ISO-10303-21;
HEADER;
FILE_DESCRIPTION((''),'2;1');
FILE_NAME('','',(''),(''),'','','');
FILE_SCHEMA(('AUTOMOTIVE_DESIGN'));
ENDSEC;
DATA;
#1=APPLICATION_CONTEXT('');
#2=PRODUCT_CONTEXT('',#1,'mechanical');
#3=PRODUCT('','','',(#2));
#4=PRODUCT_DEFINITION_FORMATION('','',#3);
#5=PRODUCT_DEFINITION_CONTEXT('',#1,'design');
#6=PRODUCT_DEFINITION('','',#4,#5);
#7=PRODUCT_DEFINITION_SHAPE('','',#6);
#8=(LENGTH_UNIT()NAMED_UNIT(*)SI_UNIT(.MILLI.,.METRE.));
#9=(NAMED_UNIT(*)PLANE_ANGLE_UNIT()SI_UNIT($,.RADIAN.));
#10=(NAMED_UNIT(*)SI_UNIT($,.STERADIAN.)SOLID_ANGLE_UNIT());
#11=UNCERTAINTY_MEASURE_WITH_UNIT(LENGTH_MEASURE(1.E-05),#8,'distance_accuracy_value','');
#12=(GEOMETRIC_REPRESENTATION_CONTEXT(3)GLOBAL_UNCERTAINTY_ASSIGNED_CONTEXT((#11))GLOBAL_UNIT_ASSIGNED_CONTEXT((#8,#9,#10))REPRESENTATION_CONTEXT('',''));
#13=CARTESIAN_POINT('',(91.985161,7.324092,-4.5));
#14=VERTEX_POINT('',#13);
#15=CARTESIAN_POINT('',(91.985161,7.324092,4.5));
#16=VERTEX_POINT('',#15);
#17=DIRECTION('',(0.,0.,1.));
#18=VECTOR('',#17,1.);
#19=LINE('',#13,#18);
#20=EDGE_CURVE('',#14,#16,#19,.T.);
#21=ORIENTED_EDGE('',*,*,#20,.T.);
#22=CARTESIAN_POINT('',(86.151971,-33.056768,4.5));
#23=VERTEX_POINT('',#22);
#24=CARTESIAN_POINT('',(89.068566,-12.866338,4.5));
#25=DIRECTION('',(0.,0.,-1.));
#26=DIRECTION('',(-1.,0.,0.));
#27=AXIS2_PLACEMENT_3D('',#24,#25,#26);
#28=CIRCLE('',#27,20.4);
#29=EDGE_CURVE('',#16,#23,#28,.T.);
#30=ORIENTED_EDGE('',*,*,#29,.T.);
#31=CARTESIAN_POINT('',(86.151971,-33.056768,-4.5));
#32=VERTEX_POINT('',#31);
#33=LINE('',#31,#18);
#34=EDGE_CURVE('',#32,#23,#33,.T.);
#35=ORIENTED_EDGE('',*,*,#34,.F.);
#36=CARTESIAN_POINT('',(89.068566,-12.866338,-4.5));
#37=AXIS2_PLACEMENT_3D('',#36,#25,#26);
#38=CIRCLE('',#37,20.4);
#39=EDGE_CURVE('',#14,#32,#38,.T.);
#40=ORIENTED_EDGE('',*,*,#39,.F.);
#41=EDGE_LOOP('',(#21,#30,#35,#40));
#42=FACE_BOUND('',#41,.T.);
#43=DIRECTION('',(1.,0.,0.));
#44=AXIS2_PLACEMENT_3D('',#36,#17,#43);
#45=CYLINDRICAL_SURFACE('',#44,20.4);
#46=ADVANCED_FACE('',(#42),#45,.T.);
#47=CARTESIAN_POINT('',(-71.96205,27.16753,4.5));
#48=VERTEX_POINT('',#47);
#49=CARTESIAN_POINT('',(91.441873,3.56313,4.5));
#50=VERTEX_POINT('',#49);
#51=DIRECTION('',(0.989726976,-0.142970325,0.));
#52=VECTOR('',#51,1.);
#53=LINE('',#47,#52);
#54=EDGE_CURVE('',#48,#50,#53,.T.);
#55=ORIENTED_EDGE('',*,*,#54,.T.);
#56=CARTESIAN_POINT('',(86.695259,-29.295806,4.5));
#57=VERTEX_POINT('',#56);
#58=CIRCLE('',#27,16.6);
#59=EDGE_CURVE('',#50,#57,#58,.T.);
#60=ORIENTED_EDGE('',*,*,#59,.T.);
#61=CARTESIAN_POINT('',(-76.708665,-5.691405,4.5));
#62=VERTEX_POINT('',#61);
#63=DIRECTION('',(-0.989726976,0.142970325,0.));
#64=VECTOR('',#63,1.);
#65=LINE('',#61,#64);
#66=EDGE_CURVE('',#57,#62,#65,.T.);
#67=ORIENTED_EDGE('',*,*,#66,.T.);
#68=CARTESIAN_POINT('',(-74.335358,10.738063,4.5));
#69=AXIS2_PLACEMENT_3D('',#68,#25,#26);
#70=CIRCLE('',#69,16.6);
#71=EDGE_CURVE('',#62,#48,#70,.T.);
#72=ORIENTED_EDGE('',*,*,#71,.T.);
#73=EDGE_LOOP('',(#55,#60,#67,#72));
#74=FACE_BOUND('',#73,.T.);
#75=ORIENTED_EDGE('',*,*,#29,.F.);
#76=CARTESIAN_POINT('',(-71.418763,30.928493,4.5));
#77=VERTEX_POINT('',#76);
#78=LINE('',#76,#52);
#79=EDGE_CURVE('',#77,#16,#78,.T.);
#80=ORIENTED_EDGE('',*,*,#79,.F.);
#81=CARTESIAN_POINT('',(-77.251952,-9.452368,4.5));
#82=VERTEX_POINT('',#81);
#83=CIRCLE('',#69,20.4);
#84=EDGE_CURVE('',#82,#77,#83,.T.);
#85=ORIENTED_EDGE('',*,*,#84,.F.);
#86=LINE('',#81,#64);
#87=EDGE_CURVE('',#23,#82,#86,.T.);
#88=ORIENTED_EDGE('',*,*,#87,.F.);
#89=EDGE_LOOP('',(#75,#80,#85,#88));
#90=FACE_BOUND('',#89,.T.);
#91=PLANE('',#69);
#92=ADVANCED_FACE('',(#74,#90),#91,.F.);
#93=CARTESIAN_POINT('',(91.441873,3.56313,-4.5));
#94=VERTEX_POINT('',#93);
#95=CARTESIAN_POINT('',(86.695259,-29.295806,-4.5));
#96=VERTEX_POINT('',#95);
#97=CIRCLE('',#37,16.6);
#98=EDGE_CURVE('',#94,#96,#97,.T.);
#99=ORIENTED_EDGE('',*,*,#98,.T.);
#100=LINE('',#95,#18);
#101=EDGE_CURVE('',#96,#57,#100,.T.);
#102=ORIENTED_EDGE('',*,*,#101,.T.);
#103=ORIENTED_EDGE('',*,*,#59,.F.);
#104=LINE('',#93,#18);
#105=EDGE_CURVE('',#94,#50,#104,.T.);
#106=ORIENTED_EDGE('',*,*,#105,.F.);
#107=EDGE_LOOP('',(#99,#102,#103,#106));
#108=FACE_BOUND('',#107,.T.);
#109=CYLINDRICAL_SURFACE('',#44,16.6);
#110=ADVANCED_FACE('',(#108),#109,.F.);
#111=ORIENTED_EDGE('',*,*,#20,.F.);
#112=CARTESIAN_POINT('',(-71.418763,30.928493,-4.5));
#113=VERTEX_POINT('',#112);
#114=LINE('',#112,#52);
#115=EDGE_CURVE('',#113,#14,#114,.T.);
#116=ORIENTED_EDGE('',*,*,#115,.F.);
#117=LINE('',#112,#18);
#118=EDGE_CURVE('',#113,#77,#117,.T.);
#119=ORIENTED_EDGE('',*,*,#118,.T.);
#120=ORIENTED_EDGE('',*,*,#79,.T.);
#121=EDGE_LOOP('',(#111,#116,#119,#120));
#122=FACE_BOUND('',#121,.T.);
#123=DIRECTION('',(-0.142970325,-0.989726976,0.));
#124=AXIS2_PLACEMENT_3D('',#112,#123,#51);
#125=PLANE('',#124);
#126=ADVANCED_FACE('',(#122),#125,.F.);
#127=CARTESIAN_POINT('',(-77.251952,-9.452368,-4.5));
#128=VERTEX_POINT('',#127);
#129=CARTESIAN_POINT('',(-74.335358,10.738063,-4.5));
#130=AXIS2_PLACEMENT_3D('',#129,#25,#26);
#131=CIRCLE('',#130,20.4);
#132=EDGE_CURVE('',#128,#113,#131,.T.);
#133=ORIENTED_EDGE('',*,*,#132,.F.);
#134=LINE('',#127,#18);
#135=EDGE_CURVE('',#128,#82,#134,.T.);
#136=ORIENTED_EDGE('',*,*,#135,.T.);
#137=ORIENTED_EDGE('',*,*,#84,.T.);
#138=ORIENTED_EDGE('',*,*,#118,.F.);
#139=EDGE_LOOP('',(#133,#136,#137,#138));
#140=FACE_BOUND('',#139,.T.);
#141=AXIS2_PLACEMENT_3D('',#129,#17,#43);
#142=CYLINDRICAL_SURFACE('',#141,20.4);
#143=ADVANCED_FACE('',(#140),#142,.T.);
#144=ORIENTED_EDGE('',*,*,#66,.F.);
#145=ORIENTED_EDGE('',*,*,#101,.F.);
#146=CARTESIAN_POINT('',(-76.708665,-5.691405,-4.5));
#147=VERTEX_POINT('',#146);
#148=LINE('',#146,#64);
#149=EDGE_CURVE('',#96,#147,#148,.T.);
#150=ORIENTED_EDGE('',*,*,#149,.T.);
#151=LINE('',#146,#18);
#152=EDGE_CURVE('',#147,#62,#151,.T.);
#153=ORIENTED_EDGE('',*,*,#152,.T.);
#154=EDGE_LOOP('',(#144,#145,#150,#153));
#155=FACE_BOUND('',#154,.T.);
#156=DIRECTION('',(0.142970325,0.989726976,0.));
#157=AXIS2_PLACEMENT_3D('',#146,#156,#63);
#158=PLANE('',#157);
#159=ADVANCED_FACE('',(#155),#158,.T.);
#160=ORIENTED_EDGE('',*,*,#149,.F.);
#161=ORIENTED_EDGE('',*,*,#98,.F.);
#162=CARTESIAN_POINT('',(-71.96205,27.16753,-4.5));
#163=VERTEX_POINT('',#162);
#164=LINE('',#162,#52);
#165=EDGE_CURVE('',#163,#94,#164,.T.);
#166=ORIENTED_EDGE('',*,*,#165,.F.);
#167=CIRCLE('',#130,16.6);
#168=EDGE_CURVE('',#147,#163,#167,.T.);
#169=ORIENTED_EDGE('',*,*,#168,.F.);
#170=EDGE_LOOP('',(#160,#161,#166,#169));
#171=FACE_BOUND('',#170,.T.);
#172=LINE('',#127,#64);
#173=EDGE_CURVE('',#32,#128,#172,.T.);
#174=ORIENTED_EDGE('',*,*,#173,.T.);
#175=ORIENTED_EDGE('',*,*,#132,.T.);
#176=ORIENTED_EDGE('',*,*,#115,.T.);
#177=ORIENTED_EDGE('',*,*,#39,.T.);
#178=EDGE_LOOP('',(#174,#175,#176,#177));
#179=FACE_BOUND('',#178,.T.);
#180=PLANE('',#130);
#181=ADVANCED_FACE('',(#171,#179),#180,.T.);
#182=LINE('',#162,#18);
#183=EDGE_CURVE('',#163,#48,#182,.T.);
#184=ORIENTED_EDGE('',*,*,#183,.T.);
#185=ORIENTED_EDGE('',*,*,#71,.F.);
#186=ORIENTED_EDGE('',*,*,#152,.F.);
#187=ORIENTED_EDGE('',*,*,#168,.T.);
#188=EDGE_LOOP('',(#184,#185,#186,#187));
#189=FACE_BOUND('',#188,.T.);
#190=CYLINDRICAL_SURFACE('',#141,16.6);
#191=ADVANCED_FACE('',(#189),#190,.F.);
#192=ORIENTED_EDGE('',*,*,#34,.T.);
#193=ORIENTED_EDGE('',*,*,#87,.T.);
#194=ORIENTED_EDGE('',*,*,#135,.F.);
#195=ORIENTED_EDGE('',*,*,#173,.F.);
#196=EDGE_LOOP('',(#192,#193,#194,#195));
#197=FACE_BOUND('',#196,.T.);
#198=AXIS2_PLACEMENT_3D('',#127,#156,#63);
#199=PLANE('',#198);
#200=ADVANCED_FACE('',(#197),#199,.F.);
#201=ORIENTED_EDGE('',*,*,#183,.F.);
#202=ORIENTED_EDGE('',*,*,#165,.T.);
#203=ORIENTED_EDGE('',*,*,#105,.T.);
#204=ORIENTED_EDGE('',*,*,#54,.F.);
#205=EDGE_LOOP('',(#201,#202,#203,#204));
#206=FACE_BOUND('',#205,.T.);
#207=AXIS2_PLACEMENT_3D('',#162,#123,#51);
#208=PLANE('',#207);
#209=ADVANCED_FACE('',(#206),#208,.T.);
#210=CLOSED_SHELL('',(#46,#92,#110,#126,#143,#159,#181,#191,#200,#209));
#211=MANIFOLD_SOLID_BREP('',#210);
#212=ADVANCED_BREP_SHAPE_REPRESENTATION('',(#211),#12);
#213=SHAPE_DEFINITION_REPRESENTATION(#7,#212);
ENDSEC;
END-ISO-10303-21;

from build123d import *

# Parameters (mm, degrees)
BOSS_EXTRUDE1_DEPTH = 4.5


with BuildPart() as part:
    # Sketch2 → Boss-Extrude1 (new, symmetric)
    with BuildSketch(Plane(origin=(0, 0, 0), x_dir=(-1, 0, 0), z_dir=(0, 0, -1))):
        with BuildLine():
            Line((77.251952227, -9.452367718), (-86.151971449, -33.056768309))
            ThreePointArc((-86.151971449, -33.056768309), (-109.258996374, -15.782932628), (-91.985160693, 7.324092296))
            Line((-91.985160693, 7.324092296), (71.418762983, 30.928492887))
            ThreePointArc((71.418762983, 30.928492887), (94.525787908, 13.654657206), (77.251952227, -9.452367718))
        make_face()
        with BuildLine():
            Line((76.708664993, -5.691405211), (-86.695258683, -29.295805802))
            ThreePointArc((-86.695258683, -29.295805802), (-105.498033867, -15.239645395), (-91.44187346, 3.563129789))
            Line((-91.44187346, 3.563129789), (71.962050217, 27.16753038))
            ThreePointArc((71.962050217, 27.16753038), (90.7648254, 13.111369973), (76.708664993, -5.691405211))
        make_face(mode=Mode.SUBTRACT)
    extrude(amount=BOSS_EXTRUDE1_DEPTH, both=True)


solid = part.part
